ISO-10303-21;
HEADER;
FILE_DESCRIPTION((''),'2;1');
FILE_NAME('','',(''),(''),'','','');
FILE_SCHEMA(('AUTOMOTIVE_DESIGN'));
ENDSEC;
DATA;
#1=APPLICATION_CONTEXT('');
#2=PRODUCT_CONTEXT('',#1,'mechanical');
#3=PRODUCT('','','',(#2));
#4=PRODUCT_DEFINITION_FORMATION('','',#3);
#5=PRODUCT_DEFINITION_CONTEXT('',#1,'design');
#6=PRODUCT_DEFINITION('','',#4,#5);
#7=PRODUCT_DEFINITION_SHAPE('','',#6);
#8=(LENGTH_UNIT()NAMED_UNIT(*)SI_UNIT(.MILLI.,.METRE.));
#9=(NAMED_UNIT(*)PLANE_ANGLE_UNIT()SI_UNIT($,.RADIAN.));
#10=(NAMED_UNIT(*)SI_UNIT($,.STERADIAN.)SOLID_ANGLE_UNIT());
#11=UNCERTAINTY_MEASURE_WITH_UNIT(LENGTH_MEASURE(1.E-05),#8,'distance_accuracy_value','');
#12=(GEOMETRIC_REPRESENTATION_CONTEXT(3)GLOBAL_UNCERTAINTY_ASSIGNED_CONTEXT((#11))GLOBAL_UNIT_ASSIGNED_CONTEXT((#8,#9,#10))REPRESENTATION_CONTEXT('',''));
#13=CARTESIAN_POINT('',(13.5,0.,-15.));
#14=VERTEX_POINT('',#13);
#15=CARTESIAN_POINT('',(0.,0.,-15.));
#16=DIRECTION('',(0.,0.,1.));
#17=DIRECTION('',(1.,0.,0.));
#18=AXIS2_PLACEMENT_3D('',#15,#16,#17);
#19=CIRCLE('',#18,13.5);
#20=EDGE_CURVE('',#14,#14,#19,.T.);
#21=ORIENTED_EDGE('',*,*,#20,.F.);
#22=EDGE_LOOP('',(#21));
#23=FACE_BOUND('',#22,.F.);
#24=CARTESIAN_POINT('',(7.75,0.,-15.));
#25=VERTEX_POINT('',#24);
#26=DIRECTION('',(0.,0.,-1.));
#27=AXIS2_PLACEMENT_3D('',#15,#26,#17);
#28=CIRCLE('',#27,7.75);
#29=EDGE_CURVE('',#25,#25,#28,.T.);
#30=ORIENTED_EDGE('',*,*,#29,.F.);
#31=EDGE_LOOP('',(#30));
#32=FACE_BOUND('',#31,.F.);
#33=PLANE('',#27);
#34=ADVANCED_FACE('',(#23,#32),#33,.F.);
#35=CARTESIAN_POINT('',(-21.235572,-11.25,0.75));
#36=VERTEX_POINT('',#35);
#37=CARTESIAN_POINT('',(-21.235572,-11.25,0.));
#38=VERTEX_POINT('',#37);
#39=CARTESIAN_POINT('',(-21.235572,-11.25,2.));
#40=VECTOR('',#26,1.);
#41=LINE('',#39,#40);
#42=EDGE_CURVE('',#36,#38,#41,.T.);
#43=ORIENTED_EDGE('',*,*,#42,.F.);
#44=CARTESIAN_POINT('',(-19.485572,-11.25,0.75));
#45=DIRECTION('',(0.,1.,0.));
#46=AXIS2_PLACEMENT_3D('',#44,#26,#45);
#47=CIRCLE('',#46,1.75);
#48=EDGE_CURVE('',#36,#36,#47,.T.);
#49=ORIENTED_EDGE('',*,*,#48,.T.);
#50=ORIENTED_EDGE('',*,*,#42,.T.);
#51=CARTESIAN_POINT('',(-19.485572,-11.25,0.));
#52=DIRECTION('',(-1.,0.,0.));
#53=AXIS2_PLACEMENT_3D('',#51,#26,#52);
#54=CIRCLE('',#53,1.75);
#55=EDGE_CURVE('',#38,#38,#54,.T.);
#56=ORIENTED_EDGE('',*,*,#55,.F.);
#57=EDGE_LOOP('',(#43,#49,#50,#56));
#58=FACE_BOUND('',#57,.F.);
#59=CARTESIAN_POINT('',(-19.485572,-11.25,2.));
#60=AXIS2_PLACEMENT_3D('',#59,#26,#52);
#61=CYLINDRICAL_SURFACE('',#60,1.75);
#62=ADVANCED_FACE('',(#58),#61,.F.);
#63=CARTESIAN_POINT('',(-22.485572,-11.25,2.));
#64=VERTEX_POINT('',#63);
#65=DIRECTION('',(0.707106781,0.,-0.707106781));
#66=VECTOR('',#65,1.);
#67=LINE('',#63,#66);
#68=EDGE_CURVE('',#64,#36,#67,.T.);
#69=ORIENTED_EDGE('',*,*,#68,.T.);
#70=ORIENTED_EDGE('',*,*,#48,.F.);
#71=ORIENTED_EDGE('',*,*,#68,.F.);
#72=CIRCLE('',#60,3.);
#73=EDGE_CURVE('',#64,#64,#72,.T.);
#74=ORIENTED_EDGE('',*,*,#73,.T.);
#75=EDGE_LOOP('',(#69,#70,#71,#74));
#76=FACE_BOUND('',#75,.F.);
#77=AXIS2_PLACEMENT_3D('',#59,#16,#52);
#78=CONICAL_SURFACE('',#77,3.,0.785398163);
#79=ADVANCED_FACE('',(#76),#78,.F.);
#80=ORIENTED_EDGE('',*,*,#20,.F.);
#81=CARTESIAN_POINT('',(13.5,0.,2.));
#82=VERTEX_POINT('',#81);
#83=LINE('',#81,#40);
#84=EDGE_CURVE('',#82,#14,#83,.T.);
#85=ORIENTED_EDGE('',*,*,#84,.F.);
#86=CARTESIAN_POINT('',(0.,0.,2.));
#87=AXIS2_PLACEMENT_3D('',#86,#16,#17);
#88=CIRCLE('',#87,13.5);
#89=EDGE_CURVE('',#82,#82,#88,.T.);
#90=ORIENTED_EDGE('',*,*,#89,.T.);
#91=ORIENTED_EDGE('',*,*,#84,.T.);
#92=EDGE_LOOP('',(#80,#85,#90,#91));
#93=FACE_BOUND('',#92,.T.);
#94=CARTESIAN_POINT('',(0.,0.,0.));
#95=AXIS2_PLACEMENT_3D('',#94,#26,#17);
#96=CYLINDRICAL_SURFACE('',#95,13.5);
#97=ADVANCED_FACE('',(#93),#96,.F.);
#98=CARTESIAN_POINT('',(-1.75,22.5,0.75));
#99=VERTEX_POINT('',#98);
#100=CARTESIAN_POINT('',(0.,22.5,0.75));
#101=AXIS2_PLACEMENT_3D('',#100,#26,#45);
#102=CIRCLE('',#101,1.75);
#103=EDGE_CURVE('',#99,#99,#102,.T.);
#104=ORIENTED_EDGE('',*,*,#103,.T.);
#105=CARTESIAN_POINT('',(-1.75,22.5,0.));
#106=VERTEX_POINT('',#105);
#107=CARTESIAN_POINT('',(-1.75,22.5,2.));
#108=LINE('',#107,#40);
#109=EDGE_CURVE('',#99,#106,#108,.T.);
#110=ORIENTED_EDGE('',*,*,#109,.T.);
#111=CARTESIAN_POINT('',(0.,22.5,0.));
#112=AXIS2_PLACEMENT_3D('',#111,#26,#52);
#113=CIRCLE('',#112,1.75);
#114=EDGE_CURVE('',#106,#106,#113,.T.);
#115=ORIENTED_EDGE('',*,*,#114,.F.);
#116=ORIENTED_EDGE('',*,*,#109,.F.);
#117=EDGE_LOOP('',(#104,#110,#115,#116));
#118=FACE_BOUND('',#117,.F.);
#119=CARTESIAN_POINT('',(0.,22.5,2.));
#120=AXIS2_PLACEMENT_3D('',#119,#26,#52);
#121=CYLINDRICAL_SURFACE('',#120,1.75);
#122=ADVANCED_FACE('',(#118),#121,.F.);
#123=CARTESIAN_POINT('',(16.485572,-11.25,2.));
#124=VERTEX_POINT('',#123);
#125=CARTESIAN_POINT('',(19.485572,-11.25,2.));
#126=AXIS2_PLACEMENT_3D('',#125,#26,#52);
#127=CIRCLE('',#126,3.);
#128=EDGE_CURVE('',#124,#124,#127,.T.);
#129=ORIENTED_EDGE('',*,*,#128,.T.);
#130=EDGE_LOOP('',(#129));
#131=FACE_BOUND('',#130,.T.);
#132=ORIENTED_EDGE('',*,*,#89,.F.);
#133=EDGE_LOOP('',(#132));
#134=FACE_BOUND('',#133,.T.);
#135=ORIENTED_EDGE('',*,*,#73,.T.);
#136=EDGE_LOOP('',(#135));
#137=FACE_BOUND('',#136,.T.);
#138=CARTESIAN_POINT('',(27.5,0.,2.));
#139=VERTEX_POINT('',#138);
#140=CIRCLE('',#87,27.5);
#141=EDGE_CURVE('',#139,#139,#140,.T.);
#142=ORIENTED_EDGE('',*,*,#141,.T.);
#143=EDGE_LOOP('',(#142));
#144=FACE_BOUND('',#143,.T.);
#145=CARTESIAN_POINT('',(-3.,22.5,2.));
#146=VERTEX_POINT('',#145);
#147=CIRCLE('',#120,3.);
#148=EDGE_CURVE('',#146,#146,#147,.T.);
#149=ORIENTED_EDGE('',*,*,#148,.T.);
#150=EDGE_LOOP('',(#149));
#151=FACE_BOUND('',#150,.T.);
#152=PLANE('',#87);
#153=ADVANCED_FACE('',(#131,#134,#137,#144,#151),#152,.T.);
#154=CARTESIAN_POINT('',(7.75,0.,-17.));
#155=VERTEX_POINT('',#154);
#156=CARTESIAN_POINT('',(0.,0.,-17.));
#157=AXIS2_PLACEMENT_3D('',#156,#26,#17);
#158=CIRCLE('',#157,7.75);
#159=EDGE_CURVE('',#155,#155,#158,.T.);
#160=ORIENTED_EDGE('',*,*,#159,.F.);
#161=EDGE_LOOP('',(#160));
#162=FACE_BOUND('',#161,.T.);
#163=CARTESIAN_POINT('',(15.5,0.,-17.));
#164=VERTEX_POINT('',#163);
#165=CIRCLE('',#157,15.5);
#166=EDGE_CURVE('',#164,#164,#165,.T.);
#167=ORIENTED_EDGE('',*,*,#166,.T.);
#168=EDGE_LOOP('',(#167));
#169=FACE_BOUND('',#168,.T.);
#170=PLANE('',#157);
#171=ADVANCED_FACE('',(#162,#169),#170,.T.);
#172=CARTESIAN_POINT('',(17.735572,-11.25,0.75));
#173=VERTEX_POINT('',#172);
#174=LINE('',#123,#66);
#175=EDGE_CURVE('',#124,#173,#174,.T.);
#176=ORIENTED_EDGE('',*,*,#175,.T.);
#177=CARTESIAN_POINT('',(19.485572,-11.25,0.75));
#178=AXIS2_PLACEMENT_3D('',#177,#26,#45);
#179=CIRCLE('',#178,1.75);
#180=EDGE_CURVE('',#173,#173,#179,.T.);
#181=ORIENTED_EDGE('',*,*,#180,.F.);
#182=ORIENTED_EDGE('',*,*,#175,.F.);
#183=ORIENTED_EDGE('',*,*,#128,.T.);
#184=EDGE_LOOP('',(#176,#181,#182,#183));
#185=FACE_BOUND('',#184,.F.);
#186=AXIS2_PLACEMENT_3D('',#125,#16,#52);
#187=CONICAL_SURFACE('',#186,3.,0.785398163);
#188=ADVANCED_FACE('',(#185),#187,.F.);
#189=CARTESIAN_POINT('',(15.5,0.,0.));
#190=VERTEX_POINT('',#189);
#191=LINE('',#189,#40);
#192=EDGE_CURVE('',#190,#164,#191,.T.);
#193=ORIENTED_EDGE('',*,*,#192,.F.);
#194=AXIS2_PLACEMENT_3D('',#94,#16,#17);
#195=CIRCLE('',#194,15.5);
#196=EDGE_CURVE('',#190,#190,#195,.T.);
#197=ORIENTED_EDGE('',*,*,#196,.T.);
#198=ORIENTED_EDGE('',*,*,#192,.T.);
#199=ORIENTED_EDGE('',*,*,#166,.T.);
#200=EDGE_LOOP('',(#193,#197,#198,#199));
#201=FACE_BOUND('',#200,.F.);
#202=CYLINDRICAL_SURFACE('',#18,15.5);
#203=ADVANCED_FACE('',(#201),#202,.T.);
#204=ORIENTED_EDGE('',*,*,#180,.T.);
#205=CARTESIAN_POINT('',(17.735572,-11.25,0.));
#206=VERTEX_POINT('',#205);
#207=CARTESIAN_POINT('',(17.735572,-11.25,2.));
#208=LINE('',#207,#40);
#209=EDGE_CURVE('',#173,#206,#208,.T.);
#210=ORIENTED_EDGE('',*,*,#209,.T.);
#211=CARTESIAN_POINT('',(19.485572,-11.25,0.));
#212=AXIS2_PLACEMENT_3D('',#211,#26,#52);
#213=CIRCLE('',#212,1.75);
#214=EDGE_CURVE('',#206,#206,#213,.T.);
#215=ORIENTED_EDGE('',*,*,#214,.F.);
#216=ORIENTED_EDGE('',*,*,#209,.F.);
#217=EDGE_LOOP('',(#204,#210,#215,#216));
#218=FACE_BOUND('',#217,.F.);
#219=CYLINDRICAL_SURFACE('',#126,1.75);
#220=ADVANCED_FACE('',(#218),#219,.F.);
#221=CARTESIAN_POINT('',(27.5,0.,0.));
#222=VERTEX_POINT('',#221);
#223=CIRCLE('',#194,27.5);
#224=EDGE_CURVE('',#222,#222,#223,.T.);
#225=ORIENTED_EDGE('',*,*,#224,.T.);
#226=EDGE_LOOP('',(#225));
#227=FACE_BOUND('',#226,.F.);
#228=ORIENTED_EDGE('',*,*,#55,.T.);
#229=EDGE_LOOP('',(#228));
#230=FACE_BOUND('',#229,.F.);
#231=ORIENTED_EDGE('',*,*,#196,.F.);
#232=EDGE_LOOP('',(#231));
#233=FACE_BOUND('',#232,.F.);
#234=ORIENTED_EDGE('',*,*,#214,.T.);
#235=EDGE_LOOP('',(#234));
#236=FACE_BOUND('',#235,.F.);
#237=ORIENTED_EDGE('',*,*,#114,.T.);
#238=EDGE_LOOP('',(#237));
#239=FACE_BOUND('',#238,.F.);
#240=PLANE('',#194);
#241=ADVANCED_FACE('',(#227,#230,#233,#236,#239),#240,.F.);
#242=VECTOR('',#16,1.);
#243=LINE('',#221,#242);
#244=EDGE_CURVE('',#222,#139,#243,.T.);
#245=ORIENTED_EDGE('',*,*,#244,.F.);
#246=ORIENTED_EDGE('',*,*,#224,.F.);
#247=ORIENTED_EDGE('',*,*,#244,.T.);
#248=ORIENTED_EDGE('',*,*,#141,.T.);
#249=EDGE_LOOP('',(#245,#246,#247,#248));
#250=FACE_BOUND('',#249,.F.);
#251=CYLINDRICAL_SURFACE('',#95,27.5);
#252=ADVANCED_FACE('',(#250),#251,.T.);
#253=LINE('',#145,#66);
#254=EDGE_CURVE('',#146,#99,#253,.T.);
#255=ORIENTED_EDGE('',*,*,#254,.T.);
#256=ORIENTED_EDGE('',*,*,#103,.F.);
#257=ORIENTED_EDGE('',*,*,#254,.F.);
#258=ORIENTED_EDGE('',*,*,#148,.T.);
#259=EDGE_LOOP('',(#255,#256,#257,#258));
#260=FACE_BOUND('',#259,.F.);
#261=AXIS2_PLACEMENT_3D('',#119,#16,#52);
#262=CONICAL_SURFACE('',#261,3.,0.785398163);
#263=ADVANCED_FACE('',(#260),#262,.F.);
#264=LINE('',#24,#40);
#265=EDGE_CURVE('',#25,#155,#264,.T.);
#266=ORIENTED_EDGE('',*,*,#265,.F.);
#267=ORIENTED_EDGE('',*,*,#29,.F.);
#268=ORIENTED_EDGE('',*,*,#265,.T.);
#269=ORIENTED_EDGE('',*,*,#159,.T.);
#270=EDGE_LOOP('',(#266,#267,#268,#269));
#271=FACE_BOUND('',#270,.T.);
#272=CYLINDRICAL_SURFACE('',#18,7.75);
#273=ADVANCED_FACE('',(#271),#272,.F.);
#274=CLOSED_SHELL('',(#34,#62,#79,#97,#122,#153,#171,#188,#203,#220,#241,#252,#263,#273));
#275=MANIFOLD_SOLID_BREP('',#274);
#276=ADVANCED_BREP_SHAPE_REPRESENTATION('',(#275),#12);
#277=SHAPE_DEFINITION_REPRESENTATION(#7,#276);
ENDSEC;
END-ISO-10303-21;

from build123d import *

# Parameters (mm, degrees)
F0_R           = 15.5
F0_R_2         = 13.5
F1_DEPTH       = 15
F2_R           = 27.5
F2_R_2         = 13.5
F3_DEPTH       = 2
F4_R           = 15.5
F4_R_2         = 7.75
F5_DEPTH       = 2
F7_D           = 3.5
F7_CSINK_D     = 6
F7_CSINK_ANGLE = 90


with BuildPart() as f1:
    # F0 (on Top) → F1 (new body)
    with BuildSketch(Plane.XY):
        Circle(F0_R)
        Circle(F0_R_2, mode=Mode.SUBTRACT)
    extrude(amount=-F1_DEPTH)

    # F2 (on Top) → F3 (join)
    with BuildSketch(Plane.XY):
        Circle(F2_R)
        Circle(F2_R_2, mode=Mode.SUBTRACT)
    extrude(amount=F3_DEPTH)

    # F4 (on face) → F5 (join)
    with BuildSketch(Plane(origin=(0, 0, -15), x_dir=(1, 0, 0), z_dir=(0, 0, -1))):
        Circle(F4_R)
        Circle(F4_R_2, mode=Mode.SUBTRACT)
    extrude(amount=F5_DEPTH)

    # F7 (through all)
    with Locations(Plane.XY.offset(2)):
        with Locations((0, 22.5), (-19.485572, -11.25), (19.485572, -11.25)):
            CounterSinkHole(F7_D / 2, F7_CSINK_D / 2, counter_sink_angle=F7_CSINK_ANGLE)


solid = f1.part
